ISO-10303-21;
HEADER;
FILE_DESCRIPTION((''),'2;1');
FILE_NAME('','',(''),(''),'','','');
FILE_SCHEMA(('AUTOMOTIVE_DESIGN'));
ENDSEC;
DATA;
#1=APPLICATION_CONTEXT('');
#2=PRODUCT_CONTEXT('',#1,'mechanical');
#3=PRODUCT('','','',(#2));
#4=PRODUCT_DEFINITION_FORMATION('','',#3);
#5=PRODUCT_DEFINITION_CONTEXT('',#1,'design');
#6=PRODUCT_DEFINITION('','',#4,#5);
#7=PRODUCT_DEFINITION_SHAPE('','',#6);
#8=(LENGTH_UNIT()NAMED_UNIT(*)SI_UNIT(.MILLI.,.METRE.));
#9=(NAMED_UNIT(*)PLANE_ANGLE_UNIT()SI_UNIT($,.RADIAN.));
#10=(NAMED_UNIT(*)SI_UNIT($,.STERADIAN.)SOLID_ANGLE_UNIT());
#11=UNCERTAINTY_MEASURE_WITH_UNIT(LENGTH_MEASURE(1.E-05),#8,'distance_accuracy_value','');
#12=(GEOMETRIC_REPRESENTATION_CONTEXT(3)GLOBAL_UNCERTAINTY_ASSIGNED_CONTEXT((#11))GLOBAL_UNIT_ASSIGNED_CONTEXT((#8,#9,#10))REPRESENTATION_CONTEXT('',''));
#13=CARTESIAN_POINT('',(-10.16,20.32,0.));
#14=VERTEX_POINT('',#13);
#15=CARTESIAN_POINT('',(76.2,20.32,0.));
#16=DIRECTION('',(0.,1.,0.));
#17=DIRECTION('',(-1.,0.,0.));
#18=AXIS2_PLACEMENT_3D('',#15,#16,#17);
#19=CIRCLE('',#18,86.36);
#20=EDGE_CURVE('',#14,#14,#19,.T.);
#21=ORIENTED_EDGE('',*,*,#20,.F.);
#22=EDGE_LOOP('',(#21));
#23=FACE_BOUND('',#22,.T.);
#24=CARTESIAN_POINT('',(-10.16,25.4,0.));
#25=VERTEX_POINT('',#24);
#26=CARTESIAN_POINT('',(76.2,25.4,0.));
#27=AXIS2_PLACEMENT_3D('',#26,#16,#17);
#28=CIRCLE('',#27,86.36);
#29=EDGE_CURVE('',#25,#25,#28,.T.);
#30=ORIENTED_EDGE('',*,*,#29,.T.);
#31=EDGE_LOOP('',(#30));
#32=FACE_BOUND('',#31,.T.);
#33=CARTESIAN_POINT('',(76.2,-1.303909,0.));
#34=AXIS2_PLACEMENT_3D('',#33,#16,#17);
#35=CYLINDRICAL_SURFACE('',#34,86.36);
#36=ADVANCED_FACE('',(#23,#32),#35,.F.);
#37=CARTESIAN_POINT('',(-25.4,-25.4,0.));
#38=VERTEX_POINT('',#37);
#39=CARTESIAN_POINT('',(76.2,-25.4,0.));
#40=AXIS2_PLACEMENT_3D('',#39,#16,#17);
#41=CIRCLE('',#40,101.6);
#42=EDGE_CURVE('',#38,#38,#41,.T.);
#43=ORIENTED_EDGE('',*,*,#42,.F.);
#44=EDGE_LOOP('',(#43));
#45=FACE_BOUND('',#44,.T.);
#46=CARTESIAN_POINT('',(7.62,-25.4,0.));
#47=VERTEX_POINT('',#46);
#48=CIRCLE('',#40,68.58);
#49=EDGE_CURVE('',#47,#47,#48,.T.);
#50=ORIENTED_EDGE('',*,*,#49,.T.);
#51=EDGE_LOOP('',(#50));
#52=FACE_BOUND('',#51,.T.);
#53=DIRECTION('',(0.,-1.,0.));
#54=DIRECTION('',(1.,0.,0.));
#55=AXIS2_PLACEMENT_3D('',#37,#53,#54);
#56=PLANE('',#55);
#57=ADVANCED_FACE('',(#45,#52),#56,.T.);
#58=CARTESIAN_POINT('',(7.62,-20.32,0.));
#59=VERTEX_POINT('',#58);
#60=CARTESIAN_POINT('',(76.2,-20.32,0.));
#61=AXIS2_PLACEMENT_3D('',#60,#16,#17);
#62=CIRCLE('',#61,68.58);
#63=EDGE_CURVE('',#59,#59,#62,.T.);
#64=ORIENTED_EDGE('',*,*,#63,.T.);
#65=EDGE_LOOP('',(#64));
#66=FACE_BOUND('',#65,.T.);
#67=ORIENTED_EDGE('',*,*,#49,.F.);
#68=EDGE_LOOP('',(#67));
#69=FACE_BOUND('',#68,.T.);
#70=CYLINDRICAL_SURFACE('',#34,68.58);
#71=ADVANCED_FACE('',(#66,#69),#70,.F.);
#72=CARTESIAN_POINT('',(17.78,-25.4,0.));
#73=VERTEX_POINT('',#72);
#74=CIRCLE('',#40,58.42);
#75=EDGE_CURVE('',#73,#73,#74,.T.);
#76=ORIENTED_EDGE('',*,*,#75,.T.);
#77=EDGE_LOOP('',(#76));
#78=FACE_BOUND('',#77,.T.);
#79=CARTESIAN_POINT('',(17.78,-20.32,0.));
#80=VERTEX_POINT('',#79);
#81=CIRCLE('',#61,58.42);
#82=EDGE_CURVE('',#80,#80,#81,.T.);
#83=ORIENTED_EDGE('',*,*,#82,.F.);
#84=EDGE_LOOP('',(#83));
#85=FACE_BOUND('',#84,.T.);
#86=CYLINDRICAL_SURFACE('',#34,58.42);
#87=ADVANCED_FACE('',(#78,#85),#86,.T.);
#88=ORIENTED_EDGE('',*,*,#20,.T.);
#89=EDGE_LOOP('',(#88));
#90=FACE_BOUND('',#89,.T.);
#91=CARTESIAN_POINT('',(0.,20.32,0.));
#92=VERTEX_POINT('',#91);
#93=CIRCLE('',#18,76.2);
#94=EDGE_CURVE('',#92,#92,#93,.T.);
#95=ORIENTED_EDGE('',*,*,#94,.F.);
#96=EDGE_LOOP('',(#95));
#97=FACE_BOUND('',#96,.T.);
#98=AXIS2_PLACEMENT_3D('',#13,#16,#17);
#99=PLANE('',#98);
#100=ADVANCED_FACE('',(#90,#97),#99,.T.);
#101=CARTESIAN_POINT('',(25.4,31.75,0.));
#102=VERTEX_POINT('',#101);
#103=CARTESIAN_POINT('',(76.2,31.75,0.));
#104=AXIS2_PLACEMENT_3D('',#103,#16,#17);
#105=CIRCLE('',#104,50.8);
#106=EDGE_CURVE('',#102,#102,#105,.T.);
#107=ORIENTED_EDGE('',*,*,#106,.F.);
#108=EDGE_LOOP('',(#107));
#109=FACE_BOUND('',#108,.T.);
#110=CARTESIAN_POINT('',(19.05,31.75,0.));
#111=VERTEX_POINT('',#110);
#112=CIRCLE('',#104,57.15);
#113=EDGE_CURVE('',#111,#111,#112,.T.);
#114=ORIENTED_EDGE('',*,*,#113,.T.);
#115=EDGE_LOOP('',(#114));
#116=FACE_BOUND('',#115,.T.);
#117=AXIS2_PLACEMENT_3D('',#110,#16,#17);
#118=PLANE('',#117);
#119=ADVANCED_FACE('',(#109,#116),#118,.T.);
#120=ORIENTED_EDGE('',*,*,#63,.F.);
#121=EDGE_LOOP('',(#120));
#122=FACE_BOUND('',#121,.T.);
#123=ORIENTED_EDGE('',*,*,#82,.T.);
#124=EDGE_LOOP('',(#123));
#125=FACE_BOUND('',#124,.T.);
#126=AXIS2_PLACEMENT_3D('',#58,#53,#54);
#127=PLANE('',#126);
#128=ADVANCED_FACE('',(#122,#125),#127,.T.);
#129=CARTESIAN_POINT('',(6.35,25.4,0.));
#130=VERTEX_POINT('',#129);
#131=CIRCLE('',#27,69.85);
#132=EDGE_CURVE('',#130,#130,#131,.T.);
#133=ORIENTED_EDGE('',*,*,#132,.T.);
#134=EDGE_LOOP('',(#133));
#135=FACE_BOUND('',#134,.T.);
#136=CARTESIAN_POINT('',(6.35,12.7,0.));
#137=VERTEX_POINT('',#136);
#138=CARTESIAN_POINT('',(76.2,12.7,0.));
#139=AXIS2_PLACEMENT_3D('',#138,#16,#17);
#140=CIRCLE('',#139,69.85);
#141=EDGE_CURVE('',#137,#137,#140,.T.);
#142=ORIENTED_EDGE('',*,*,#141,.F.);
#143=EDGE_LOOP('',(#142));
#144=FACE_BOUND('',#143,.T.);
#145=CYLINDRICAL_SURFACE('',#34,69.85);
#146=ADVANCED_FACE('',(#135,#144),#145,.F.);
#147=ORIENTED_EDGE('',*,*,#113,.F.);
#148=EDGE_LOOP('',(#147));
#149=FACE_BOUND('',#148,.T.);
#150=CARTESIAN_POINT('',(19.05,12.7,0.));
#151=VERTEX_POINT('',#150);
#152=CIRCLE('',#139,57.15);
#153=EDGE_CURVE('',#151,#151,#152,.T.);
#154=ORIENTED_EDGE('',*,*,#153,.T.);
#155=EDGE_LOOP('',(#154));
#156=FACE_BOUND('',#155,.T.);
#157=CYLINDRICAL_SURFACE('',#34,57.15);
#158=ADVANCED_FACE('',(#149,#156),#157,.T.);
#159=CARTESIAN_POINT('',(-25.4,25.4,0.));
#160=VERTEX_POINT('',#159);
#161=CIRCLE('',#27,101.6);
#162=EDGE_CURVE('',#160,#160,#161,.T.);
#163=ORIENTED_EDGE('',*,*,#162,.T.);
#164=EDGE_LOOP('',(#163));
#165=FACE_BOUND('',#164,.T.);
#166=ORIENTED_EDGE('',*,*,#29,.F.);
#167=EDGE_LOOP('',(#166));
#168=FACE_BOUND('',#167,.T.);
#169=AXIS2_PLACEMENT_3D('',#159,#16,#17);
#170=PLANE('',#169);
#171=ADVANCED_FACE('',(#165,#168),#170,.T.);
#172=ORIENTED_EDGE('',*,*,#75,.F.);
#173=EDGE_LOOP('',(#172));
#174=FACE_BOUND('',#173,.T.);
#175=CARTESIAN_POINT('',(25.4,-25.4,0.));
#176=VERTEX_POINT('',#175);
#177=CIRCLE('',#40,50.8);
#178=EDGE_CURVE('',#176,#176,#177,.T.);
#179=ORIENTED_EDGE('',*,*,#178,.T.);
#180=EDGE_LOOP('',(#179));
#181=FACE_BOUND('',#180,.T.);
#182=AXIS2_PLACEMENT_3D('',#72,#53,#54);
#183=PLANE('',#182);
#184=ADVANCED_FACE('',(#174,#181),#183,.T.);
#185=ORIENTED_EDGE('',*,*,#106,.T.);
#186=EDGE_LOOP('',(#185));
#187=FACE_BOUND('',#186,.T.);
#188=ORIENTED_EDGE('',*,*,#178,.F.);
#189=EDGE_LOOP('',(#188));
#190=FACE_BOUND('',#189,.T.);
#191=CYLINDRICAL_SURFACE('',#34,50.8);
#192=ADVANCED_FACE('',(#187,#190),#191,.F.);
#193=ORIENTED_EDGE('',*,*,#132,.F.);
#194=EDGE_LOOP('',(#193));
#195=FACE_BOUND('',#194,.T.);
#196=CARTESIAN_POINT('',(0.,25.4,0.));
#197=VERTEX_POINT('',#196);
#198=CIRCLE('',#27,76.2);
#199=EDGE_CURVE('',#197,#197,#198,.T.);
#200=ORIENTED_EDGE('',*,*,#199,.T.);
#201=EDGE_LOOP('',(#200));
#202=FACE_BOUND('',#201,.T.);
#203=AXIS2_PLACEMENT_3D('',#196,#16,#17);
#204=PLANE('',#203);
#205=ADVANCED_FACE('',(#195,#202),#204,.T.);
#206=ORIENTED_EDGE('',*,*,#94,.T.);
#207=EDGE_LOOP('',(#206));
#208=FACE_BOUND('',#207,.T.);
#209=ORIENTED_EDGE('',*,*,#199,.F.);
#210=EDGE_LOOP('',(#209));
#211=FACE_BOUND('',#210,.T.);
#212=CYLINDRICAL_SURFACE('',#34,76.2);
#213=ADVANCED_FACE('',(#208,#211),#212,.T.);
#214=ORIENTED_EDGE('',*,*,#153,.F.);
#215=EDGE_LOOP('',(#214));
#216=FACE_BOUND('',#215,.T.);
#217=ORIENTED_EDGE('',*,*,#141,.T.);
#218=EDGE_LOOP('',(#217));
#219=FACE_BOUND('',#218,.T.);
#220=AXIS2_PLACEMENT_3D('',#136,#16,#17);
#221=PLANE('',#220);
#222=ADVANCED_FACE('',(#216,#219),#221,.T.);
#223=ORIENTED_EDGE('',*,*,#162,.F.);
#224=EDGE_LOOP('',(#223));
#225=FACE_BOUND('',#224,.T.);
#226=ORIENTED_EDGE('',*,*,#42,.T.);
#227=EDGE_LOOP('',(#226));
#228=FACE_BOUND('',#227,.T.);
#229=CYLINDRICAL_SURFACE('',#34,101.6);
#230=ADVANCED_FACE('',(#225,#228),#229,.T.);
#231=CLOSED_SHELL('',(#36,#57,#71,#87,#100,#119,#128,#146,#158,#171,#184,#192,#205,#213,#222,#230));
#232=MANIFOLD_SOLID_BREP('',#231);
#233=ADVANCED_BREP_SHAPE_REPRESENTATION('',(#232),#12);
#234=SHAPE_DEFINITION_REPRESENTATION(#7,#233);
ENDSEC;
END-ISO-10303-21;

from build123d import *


with BuildPart() as part:
    # Sketch1 → Revolve1 (revolve)
    with BuildSketch(Plane.XY):
        Polygon((6.35, 25.4), (6.35, 12.7), (19.05, 12.7), (19.05, 25.4), (19.05, 31.75), (25.4, 31.75), (25.4, 25.4), (25.4, -25.4), (17.78, -25.4), (17.78, -20.32), (7.62, -20.32), (7.62, -25.4), (-25.4, -25.4), (-25.4, 25.4), (-10.16, 25.4), (-10.16, 20.32), (0, 20.32), (0, 25.4), align=None)
    revolve(axis=Axis((76.2, -1.30390901, 0), (0, -1, 0)))


solid = part.part
